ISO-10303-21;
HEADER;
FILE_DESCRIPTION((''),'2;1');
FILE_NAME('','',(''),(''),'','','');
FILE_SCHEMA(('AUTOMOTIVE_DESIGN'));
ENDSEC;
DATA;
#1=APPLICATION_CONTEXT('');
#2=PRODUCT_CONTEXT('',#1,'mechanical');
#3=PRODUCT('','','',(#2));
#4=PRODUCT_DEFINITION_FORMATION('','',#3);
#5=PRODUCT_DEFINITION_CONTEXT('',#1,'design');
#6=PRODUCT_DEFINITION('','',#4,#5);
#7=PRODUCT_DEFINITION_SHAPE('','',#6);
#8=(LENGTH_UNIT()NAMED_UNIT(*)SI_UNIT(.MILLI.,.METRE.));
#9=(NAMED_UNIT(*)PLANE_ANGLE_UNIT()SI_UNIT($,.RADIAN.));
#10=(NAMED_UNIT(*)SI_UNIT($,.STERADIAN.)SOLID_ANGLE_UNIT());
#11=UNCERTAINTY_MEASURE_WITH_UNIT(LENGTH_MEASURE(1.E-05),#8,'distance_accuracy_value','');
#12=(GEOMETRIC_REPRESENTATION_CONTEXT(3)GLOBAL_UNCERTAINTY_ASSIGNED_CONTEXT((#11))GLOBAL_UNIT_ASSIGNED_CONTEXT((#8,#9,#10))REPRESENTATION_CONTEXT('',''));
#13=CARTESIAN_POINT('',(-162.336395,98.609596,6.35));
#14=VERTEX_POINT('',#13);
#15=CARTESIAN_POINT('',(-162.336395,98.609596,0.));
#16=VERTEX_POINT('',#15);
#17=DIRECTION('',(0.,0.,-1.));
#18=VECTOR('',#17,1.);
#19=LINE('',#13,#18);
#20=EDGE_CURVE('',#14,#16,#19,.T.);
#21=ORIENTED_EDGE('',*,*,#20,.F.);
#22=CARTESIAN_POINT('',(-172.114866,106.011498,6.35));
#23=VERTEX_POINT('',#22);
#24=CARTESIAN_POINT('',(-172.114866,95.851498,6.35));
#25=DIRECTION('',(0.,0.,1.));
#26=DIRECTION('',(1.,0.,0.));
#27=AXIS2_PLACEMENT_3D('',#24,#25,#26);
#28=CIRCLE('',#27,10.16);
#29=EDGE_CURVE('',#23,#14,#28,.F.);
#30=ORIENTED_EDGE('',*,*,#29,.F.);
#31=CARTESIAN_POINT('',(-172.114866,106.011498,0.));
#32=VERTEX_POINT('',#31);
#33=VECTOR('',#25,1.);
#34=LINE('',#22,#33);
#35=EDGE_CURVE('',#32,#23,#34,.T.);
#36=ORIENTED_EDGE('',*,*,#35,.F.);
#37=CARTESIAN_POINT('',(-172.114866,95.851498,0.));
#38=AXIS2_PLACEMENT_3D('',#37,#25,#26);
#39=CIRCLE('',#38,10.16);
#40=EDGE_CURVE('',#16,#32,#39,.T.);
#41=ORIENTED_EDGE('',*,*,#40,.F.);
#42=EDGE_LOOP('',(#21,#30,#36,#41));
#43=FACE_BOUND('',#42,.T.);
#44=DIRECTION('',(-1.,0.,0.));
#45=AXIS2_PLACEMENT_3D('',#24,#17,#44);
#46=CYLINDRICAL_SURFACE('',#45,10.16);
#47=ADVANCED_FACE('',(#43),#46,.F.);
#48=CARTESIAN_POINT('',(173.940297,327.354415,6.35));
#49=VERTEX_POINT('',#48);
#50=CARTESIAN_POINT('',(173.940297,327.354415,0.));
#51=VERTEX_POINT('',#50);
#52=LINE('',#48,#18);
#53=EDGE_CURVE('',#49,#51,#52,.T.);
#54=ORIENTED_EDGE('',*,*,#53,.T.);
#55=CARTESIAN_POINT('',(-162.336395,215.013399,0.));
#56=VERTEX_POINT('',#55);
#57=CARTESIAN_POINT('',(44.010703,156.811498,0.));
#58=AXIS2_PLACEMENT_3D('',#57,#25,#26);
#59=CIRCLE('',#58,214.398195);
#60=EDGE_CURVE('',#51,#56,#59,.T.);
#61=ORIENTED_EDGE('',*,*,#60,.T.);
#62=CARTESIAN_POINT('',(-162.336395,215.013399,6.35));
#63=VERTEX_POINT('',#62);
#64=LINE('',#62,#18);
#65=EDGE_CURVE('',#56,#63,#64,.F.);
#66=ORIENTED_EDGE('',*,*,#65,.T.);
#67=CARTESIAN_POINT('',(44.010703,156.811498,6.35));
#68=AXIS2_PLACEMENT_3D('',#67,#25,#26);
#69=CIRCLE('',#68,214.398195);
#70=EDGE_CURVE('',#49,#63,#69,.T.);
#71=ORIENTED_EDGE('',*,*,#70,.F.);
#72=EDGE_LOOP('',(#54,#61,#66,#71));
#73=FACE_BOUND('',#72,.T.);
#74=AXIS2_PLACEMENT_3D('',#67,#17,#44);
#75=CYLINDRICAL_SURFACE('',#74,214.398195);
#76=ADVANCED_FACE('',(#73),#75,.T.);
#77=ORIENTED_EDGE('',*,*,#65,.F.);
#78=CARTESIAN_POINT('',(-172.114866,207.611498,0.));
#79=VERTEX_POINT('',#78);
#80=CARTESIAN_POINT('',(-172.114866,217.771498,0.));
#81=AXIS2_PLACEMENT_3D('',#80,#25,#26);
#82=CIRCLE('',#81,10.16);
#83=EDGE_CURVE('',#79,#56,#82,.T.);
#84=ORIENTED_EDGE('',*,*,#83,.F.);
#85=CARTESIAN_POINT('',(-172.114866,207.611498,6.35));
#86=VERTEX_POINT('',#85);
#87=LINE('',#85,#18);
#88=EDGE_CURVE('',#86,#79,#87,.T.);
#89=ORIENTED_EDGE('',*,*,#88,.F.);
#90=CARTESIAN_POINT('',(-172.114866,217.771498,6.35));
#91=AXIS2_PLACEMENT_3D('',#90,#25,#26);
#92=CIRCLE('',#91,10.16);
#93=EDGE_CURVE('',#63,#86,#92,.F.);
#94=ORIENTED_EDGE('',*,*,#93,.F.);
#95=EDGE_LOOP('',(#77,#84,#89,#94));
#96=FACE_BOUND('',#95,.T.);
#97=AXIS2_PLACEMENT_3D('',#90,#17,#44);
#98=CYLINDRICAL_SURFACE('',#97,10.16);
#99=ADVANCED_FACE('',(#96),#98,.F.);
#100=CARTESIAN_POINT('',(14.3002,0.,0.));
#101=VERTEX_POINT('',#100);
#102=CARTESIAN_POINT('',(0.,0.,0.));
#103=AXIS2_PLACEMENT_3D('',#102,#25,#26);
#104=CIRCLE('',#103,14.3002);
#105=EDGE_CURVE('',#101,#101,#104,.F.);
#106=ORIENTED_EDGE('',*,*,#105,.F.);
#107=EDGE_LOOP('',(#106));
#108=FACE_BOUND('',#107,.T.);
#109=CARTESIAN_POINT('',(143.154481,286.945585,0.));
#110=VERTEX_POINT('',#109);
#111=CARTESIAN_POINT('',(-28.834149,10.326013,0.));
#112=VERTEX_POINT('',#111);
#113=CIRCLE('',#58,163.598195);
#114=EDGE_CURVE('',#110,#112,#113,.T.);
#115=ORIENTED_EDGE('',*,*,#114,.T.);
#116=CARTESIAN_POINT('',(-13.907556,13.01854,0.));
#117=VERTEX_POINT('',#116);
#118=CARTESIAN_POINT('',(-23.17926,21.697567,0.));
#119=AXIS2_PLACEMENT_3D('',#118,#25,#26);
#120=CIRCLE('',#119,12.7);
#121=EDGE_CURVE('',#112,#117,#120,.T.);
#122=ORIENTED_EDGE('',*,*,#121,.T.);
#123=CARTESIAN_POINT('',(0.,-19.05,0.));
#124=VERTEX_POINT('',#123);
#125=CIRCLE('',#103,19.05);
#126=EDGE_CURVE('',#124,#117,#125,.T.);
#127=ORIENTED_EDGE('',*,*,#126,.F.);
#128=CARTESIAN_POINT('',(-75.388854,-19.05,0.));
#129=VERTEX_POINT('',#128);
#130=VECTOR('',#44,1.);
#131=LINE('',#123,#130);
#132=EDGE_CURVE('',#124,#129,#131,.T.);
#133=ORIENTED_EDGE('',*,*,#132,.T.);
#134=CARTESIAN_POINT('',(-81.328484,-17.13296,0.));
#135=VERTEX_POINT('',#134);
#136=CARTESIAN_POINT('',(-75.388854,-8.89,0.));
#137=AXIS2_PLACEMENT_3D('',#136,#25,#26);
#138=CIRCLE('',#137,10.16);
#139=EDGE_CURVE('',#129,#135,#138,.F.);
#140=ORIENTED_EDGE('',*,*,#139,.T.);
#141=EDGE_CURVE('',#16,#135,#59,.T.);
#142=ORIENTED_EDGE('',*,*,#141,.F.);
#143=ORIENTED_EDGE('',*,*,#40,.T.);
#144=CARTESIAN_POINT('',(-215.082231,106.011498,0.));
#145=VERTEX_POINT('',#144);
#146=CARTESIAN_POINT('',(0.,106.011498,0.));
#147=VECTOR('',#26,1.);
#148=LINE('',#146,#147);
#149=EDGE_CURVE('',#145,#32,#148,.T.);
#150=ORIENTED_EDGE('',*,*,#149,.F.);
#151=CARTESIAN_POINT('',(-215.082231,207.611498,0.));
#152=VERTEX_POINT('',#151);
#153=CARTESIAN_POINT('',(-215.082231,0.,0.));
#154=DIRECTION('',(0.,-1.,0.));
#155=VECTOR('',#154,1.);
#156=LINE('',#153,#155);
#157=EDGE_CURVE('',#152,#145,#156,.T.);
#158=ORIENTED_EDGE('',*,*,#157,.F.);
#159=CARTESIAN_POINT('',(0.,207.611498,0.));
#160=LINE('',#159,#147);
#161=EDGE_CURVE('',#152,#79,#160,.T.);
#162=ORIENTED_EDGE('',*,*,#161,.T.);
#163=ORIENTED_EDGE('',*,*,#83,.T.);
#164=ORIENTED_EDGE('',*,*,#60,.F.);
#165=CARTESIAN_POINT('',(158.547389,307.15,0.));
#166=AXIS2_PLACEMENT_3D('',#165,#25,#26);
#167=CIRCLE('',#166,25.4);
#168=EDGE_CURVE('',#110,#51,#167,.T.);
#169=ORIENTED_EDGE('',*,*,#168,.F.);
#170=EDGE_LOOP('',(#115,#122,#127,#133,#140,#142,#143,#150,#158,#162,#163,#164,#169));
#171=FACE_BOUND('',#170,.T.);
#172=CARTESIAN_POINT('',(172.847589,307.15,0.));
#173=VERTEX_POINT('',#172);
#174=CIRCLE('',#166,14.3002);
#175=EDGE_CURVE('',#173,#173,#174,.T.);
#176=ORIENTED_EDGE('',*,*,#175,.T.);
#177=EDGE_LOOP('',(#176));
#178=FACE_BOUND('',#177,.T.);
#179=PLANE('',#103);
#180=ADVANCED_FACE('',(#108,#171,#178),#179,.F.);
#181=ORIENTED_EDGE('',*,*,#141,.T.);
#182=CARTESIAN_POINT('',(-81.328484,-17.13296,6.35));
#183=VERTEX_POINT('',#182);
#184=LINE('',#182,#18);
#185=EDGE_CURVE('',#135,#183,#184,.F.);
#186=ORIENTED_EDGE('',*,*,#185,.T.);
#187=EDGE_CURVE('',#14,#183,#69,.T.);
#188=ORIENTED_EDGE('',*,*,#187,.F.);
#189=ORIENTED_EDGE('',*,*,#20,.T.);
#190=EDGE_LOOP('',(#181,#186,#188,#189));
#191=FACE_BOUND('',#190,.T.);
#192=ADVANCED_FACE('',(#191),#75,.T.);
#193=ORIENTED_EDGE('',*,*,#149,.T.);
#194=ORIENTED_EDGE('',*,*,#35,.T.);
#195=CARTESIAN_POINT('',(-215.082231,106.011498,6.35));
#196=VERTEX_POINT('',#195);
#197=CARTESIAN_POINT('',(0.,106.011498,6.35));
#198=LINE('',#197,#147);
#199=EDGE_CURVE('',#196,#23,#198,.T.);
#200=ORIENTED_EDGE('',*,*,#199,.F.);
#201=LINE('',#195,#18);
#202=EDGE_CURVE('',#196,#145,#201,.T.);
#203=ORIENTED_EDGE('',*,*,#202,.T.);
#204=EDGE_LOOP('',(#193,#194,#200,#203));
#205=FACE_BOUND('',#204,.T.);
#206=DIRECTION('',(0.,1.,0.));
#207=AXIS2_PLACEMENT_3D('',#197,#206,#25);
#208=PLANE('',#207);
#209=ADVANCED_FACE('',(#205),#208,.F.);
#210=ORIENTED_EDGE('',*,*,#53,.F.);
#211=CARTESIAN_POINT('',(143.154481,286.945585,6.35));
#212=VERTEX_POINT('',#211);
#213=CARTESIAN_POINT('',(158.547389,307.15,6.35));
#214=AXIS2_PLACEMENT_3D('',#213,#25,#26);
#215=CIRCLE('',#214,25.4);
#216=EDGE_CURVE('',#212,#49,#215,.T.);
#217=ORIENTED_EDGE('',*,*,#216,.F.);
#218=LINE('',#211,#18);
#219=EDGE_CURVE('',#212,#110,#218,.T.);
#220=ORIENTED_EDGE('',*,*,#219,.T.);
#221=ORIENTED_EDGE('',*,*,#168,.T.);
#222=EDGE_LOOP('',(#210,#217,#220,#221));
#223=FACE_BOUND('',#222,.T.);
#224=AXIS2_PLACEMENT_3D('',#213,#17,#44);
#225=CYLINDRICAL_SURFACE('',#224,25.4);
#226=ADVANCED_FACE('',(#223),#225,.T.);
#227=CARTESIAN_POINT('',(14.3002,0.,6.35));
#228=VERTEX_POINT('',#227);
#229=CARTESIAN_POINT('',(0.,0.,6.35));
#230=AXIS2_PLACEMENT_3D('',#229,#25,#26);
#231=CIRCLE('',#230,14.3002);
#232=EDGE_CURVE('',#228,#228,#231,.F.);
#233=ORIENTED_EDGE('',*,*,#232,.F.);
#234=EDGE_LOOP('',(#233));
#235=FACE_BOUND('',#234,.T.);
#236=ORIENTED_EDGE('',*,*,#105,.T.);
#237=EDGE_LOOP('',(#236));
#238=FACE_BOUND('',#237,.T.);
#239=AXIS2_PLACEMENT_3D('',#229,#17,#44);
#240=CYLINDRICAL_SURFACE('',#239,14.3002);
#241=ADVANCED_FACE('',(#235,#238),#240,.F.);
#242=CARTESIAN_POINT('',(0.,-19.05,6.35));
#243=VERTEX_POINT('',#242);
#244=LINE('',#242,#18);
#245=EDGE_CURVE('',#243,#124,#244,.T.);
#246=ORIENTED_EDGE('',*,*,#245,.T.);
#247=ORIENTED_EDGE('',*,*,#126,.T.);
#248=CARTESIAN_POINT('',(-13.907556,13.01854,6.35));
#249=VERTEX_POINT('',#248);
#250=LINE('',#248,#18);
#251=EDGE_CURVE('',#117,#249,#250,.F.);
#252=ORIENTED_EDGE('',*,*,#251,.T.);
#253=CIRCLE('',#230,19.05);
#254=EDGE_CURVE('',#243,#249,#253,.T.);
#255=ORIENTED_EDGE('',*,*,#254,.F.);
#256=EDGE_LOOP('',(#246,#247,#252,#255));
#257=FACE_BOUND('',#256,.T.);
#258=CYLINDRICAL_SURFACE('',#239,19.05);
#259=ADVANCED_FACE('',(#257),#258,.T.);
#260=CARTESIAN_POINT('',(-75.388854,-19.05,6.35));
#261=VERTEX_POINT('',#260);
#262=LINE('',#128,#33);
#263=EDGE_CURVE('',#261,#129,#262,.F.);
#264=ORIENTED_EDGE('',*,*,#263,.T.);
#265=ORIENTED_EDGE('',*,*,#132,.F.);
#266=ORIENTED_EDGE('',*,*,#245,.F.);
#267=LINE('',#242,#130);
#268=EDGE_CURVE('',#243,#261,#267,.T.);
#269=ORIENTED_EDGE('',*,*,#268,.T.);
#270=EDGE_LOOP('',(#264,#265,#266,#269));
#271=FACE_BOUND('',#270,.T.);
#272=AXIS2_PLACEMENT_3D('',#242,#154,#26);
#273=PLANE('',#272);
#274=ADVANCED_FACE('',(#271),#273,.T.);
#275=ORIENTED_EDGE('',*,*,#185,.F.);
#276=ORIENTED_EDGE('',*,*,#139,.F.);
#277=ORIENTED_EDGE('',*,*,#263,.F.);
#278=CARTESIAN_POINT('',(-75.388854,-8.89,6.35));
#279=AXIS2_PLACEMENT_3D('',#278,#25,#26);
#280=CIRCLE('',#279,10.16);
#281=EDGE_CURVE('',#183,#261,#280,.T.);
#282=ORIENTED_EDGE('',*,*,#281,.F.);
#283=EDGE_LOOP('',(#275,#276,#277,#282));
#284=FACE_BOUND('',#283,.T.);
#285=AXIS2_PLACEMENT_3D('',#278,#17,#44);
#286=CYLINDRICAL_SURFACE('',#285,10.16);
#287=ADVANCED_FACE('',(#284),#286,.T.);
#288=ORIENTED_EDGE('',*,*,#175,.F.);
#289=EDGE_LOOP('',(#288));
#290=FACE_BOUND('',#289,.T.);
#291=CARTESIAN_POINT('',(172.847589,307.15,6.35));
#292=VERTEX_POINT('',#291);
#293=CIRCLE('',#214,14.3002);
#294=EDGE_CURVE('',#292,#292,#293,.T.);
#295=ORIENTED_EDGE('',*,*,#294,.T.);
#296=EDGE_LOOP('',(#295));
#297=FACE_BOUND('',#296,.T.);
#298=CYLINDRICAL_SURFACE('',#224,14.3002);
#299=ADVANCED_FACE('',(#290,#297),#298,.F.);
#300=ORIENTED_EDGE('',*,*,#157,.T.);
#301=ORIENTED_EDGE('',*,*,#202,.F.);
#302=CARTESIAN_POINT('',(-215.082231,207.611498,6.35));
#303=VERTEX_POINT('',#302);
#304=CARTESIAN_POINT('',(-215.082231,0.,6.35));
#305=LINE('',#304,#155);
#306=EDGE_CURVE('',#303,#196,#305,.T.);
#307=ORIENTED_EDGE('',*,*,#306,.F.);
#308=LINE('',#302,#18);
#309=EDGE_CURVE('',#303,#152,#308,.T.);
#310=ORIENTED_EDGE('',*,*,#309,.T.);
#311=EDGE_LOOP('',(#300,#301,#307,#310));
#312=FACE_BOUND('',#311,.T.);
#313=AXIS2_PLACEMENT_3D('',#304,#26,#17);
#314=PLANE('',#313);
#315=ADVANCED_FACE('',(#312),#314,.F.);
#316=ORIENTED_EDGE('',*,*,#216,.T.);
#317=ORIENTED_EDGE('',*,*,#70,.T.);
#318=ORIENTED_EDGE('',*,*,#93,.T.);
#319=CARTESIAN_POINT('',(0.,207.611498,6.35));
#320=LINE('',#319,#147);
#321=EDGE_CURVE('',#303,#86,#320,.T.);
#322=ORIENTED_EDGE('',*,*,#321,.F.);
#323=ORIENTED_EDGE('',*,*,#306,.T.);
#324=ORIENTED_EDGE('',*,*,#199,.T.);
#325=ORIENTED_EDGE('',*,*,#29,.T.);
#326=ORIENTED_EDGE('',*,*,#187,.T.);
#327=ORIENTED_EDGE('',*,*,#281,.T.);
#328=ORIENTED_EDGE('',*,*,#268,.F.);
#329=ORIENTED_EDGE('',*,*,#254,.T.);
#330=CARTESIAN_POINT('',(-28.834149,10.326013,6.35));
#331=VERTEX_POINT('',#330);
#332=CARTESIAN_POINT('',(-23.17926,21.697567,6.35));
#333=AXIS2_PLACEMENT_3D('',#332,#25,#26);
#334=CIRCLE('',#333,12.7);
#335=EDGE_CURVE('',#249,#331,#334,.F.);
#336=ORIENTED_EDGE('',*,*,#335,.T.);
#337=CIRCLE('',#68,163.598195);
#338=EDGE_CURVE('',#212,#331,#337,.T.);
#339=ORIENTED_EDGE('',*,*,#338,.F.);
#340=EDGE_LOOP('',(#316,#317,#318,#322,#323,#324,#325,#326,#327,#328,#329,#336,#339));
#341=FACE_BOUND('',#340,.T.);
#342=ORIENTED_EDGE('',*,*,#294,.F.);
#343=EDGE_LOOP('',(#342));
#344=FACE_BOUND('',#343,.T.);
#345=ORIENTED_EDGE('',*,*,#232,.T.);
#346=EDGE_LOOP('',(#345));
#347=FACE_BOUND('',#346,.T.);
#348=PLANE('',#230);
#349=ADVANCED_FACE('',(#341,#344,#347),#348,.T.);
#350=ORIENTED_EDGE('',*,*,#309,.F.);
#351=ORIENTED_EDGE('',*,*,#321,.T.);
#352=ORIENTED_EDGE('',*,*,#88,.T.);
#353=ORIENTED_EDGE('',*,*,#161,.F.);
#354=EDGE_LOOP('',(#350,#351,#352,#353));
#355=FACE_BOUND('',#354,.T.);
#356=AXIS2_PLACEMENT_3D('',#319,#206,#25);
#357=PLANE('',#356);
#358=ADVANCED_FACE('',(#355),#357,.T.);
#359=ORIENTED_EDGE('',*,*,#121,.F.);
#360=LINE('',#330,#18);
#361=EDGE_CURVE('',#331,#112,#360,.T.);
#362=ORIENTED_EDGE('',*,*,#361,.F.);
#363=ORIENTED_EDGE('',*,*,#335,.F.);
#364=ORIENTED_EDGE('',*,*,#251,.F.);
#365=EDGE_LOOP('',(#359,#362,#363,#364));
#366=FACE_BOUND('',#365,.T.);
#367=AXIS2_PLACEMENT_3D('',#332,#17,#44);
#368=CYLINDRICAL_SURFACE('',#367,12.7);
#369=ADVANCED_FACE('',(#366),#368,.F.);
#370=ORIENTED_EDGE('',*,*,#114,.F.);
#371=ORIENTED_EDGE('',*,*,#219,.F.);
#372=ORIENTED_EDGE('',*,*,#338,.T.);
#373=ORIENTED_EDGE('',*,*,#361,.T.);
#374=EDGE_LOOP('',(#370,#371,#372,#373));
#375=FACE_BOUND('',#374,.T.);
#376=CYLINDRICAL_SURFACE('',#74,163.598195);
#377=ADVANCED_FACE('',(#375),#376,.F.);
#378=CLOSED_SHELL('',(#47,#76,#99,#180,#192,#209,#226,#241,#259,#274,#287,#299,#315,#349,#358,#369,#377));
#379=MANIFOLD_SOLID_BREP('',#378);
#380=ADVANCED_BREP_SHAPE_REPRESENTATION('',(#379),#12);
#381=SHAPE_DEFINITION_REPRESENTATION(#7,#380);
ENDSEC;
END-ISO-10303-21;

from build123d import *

# Parameters (mm, degrees)
SKETCH1_R           = 14.3002
BOSS_EXTRUDE1_DEPTH = 6.35
FILLET1_R           = 10.16
FILLET2_R           = 12.7


with BuildPart() as part:
    # Sketch1 → Boss-Extrude1 (new body)
    with BuildSketch(Plane.XY):
        with BuildLine():
            Line((-78.624201442, -19.05), (0, -19.05))
            ThreePointArc((0, -19.05), (15.29709191, 11.353478722), (-18.233617587, 5.517036315))
            ThreePointArc((-18.233617587, 5.517036315), (-97.907934324, 238.196201056), (143.154480855, 286.945585057))
            ThreePointArc((143.154480855, 286.945585057), (178.751803486, 291.757091583), (173.940297689, 327.354414313))
            ThreePointArc((173.940297689, 327.354414313), (-27.542038168, 358.917389173), (-164.282230707, 207.611497719))
            Line((-164.282230707, 207.611497719), (-215.082230707, 207.611497719))
            Line((-215.082230707, 207.611497719), (-215.082230707, 106.011497719))
            Line((-215.082230707, 106.011497719), (-164.282230707, 106.011497719))
            ThreePointArc((-164.282230707, 106.011497719), (-132.874579252, 35.657945846), (-78.624201442, -19.05))
        make_face()
        Circle(SKETCH1_R, mode=Mode.SUBTRACT)
        with Locations((158.547388858, 307.15)):
            Circle(SKETCH1_R, mode=Mode.SUBTRACT)
    extrude(amount=BOSS_EXTRUDE1_DEPTH)

    # Fillet1
    fillet1_edges = [part.edges().sort_by_distance(p)[0] for p in [
        (-78.624201442, -19.05, 3.175),
        (-164.282230707, 106.011497719, 3.175),
        (-164.282230707, 207.611497719, 3.175),
    ]]
    fillet(fillet1_edges, radius=FILLET1_R)

    # Fillet2
    fillet2_edges = [part.edges().sort_by_distance(p)[0] for p in [
        (-18.233617587, 5.517036315, 3.175),
    ]]
    fillet(fillet2_edges, radius=FILLET2_R)


solid = part.part
